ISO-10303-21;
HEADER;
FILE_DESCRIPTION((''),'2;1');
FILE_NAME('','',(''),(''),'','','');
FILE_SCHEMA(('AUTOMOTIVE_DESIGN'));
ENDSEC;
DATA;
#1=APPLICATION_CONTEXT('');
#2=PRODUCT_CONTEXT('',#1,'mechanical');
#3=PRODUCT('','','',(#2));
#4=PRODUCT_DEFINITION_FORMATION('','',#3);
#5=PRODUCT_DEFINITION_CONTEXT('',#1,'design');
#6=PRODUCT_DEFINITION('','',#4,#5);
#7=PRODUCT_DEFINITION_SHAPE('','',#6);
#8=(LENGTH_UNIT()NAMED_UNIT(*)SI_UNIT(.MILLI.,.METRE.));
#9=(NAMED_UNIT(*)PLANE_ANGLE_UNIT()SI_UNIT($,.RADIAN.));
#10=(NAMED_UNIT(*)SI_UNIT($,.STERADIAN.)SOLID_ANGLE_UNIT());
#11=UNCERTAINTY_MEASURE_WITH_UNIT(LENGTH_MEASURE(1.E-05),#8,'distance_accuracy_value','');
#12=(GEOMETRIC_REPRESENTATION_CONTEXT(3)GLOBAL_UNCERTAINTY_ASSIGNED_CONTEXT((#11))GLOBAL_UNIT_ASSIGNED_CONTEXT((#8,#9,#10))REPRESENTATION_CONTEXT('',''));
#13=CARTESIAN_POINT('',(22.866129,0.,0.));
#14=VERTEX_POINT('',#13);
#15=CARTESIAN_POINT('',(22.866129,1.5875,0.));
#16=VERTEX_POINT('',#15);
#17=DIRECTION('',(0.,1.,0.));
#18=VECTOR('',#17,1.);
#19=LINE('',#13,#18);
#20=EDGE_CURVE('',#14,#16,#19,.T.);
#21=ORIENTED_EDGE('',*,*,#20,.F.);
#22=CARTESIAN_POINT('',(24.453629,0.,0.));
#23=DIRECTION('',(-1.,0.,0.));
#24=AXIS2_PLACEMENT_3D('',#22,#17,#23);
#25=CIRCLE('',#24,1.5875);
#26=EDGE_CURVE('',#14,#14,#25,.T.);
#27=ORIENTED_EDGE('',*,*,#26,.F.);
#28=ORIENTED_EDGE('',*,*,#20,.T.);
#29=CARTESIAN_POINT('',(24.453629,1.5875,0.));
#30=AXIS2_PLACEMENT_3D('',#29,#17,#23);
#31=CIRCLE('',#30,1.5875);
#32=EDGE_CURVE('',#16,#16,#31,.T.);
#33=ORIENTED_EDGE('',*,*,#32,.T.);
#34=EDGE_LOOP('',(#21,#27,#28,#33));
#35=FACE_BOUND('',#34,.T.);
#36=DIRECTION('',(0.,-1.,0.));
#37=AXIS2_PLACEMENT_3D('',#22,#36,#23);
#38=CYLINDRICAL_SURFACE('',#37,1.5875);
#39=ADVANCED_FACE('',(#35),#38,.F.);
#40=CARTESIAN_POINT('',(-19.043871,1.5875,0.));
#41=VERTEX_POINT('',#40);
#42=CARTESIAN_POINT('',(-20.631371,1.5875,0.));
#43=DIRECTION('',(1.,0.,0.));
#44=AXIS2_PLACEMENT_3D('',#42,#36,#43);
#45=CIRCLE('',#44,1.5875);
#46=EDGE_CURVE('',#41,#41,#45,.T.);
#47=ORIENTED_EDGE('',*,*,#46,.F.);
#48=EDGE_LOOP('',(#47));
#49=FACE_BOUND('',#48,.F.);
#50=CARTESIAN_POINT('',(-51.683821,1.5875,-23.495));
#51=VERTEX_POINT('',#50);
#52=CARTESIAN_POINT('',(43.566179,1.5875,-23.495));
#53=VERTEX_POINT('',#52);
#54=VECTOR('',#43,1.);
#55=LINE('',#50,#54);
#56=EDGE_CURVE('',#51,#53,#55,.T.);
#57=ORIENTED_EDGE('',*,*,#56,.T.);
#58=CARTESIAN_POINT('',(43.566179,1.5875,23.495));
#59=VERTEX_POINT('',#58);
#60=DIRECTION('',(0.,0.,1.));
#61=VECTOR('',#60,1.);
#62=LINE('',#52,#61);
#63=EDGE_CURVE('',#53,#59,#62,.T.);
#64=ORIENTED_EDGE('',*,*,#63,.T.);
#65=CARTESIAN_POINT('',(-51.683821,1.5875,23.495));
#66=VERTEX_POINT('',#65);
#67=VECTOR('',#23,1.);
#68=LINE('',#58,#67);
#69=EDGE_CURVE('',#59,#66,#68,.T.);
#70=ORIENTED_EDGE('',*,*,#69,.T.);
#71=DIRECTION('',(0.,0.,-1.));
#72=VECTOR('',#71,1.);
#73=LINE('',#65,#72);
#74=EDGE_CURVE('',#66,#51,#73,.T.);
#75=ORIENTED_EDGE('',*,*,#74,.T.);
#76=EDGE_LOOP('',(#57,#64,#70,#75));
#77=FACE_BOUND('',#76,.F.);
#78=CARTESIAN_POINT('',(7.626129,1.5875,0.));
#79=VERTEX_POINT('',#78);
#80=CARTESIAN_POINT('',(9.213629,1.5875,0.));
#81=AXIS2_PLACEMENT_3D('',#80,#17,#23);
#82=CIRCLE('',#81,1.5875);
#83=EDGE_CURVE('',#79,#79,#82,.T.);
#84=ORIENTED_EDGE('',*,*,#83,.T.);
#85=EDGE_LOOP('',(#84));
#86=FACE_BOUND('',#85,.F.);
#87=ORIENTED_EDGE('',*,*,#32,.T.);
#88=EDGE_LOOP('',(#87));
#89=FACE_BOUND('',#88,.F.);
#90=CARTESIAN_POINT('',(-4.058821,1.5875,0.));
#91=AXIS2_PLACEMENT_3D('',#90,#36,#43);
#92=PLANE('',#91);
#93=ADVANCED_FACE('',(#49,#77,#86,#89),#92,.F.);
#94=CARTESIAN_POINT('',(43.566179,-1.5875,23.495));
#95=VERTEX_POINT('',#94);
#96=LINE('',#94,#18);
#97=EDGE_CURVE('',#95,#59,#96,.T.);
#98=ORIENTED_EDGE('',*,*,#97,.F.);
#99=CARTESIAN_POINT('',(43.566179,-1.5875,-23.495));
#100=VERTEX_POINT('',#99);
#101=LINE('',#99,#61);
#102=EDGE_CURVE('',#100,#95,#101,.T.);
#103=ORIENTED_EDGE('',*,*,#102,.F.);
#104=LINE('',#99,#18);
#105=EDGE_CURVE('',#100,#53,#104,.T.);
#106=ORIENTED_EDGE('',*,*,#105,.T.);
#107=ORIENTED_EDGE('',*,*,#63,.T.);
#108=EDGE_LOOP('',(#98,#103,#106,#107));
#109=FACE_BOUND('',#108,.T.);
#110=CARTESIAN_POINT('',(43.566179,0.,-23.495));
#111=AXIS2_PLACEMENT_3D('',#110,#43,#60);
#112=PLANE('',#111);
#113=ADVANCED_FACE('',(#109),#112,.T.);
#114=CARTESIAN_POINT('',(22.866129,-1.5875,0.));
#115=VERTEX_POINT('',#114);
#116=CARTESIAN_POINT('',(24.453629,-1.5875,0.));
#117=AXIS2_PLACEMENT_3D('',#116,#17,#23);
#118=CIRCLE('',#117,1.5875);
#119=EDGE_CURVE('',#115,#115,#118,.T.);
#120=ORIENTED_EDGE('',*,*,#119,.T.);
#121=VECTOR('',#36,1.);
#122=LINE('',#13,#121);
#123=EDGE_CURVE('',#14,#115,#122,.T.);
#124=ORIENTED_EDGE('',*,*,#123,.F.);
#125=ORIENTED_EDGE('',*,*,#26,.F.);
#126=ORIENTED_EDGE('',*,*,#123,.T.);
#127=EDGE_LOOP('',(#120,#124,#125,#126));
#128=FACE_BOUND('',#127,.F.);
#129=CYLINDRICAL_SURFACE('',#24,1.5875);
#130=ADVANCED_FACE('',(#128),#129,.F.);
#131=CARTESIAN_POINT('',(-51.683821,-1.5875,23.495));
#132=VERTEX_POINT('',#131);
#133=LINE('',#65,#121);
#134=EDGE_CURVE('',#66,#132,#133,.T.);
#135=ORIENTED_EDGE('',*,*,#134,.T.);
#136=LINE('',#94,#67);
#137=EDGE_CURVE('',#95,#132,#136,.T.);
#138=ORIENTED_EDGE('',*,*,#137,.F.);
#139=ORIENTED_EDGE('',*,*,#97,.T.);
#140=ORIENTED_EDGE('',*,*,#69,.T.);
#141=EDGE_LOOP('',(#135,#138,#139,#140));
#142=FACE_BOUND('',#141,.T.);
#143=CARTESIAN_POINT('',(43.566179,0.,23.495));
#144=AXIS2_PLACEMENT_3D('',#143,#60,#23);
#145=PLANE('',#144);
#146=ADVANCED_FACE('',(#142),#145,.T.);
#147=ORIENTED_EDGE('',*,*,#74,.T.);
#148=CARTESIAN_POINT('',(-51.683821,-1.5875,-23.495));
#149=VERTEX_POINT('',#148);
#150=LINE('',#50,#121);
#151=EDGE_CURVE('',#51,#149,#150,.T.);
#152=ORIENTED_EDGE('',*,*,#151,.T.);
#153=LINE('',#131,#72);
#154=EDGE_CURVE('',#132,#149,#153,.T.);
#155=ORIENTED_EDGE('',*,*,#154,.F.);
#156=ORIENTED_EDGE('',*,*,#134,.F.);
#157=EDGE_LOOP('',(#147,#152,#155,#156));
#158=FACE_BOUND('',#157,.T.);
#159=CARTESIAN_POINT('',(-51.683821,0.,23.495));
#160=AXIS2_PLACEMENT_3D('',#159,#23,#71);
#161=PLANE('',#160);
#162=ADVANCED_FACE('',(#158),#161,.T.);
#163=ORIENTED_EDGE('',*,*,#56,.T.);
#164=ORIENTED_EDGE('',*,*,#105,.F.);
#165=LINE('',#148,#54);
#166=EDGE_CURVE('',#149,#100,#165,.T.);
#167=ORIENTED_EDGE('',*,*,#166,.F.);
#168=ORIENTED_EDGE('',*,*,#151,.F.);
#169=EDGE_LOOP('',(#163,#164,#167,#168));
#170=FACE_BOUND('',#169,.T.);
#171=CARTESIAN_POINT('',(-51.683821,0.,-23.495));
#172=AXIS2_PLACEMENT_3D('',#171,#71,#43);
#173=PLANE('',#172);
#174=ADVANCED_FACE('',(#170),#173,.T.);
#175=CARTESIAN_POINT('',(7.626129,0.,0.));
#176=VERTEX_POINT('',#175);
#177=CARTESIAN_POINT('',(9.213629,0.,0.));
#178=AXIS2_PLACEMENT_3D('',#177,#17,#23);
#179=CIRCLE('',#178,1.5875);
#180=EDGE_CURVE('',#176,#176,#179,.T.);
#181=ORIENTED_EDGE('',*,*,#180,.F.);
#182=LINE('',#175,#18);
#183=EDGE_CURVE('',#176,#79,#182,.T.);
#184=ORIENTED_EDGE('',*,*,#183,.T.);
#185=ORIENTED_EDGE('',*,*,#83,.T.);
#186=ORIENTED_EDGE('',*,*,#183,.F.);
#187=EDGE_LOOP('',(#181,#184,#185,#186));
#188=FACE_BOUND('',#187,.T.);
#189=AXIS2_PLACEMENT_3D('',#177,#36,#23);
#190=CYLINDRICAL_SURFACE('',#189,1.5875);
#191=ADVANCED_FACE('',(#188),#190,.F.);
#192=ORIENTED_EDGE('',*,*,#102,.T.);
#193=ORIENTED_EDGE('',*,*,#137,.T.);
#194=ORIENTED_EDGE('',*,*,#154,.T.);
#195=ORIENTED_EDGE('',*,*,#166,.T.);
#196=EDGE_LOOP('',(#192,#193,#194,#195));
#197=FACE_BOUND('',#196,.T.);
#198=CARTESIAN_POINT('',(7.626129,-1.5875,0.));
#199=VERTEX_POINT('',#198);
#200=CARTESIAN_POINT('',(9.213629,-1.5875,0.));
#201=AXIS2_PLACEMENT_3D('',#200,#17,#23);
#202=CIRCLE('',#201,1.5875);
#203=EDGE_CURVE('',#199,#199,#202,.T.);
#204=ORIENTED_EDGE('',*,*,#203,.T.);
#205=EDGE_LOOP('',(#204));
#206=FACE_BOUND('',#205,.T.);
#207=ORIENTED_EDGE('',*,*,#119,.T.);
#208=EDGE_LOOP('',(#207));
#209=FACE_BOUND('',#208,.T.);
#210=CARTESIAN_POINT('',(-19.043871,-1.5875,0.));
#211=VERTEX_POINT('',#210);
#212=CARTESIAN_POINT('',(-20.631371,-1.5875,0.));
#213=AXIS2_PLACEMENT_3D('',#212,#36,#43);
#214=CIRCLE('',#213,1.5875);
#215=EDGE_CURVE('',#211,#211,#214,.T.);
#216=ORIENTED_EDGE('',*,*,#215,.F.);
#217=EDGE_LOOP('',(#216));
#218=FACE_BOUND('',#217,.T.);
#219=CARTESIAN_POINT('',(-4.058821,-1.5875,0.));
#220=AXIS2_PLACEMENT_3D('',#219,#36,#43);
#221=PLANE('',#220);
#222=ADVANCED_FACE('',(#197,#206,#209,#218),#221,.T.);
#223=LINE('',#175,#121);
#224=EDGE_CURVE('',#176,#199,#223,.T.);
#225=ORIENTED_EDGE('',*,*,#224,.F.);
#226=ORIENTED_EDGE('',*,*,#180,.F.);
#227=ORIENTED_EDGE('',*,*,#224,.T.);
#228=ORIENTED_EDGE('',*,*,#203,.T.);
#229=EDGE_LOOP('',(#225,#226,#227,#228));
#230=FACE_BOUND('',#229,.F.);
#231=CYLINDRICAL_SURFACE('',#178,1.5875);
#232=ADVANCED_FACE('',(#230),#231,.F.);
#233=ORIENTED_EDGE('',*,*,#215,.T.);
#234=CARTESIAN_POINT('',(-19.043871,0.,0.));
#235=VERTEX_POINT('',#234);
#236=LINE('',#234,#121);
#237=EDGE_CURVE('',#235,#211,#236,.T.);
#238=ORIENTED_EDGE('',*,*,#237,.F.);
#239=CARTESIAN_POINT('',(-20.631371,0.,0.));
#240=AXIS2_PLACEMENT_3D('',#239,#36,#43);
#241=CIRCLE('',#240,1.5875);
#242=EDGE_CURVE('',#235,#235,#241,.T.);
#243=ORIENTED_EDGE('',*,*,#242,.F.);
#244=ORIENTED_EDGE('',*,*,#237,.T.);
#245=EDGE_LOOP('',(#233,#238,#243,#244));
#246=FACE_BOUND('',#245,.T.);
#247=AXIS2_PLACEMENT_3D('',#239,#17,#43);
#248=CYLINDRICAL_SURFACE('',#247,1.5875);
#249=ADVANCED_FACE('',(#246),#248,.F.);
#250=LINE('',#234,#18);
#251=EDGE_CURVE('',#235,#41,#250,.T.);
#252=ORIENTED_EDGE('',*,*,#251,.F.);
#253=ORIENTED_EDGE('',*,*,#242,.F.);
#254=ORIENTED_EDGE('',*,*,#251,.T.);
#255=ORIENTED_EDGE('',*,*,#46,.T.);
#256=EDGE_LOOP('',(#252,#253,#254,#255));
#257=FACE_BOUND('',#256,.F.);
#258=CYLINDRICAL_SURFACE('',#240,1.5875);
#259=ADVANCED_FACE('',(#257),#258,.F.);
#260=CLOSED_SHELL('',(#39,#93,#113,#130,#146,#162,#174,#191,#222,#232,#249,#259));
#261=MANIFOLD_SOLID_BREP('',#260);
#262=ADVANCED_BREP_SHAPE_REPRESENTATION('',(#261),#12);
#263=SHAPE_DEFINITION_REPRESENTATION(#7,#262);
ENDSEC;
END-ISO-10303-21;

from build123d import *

# Parameters (mm, degrees)
F0_R     = 1.5875
F1_DEPTH = 1.5875


with BuildPart() as f1:
    # F0 (on Front) → F1 (new body, symmetric)
    with BuildSketch(Plane.XZ):
        Polygon((43.5661792159, 23.495), (-38.9838207841, 23.495), (-51.6838207841, 23.495), (-51.6838207841, -23.495), (-38.9838207841, -23.495), (43.5661792159, -23.495), align=None)
        with Locations((-20.6313711017, 0)):
            Circle(F0_R, mode=Mode.SUBTRACT)
        with BuildLine():
            ThreePointArc((10.8011288983, 0), (9.2136288983, -1.5875), (7.6261288983, 0))
            ThreePointArc((7.6261288983, 0), (9.2136288983, 1.5875), (10.8011288983, 0))
        make_face(mode=Mode.SUBTRACT)
        with BuildLine():
            ThreePointArc((26.0411288983, 0), (24.4536288983, -1.5875), (22.8661288983, 0))
            ThreePointArc((22.8661288983, 0), (24.4536288983, 1.5875), (26.0411288983, 0))
        make_face(mode=Mode.SUBTRACT)
    extrude(amount=F1_DEPTH, both=True)


solid = f1.part
